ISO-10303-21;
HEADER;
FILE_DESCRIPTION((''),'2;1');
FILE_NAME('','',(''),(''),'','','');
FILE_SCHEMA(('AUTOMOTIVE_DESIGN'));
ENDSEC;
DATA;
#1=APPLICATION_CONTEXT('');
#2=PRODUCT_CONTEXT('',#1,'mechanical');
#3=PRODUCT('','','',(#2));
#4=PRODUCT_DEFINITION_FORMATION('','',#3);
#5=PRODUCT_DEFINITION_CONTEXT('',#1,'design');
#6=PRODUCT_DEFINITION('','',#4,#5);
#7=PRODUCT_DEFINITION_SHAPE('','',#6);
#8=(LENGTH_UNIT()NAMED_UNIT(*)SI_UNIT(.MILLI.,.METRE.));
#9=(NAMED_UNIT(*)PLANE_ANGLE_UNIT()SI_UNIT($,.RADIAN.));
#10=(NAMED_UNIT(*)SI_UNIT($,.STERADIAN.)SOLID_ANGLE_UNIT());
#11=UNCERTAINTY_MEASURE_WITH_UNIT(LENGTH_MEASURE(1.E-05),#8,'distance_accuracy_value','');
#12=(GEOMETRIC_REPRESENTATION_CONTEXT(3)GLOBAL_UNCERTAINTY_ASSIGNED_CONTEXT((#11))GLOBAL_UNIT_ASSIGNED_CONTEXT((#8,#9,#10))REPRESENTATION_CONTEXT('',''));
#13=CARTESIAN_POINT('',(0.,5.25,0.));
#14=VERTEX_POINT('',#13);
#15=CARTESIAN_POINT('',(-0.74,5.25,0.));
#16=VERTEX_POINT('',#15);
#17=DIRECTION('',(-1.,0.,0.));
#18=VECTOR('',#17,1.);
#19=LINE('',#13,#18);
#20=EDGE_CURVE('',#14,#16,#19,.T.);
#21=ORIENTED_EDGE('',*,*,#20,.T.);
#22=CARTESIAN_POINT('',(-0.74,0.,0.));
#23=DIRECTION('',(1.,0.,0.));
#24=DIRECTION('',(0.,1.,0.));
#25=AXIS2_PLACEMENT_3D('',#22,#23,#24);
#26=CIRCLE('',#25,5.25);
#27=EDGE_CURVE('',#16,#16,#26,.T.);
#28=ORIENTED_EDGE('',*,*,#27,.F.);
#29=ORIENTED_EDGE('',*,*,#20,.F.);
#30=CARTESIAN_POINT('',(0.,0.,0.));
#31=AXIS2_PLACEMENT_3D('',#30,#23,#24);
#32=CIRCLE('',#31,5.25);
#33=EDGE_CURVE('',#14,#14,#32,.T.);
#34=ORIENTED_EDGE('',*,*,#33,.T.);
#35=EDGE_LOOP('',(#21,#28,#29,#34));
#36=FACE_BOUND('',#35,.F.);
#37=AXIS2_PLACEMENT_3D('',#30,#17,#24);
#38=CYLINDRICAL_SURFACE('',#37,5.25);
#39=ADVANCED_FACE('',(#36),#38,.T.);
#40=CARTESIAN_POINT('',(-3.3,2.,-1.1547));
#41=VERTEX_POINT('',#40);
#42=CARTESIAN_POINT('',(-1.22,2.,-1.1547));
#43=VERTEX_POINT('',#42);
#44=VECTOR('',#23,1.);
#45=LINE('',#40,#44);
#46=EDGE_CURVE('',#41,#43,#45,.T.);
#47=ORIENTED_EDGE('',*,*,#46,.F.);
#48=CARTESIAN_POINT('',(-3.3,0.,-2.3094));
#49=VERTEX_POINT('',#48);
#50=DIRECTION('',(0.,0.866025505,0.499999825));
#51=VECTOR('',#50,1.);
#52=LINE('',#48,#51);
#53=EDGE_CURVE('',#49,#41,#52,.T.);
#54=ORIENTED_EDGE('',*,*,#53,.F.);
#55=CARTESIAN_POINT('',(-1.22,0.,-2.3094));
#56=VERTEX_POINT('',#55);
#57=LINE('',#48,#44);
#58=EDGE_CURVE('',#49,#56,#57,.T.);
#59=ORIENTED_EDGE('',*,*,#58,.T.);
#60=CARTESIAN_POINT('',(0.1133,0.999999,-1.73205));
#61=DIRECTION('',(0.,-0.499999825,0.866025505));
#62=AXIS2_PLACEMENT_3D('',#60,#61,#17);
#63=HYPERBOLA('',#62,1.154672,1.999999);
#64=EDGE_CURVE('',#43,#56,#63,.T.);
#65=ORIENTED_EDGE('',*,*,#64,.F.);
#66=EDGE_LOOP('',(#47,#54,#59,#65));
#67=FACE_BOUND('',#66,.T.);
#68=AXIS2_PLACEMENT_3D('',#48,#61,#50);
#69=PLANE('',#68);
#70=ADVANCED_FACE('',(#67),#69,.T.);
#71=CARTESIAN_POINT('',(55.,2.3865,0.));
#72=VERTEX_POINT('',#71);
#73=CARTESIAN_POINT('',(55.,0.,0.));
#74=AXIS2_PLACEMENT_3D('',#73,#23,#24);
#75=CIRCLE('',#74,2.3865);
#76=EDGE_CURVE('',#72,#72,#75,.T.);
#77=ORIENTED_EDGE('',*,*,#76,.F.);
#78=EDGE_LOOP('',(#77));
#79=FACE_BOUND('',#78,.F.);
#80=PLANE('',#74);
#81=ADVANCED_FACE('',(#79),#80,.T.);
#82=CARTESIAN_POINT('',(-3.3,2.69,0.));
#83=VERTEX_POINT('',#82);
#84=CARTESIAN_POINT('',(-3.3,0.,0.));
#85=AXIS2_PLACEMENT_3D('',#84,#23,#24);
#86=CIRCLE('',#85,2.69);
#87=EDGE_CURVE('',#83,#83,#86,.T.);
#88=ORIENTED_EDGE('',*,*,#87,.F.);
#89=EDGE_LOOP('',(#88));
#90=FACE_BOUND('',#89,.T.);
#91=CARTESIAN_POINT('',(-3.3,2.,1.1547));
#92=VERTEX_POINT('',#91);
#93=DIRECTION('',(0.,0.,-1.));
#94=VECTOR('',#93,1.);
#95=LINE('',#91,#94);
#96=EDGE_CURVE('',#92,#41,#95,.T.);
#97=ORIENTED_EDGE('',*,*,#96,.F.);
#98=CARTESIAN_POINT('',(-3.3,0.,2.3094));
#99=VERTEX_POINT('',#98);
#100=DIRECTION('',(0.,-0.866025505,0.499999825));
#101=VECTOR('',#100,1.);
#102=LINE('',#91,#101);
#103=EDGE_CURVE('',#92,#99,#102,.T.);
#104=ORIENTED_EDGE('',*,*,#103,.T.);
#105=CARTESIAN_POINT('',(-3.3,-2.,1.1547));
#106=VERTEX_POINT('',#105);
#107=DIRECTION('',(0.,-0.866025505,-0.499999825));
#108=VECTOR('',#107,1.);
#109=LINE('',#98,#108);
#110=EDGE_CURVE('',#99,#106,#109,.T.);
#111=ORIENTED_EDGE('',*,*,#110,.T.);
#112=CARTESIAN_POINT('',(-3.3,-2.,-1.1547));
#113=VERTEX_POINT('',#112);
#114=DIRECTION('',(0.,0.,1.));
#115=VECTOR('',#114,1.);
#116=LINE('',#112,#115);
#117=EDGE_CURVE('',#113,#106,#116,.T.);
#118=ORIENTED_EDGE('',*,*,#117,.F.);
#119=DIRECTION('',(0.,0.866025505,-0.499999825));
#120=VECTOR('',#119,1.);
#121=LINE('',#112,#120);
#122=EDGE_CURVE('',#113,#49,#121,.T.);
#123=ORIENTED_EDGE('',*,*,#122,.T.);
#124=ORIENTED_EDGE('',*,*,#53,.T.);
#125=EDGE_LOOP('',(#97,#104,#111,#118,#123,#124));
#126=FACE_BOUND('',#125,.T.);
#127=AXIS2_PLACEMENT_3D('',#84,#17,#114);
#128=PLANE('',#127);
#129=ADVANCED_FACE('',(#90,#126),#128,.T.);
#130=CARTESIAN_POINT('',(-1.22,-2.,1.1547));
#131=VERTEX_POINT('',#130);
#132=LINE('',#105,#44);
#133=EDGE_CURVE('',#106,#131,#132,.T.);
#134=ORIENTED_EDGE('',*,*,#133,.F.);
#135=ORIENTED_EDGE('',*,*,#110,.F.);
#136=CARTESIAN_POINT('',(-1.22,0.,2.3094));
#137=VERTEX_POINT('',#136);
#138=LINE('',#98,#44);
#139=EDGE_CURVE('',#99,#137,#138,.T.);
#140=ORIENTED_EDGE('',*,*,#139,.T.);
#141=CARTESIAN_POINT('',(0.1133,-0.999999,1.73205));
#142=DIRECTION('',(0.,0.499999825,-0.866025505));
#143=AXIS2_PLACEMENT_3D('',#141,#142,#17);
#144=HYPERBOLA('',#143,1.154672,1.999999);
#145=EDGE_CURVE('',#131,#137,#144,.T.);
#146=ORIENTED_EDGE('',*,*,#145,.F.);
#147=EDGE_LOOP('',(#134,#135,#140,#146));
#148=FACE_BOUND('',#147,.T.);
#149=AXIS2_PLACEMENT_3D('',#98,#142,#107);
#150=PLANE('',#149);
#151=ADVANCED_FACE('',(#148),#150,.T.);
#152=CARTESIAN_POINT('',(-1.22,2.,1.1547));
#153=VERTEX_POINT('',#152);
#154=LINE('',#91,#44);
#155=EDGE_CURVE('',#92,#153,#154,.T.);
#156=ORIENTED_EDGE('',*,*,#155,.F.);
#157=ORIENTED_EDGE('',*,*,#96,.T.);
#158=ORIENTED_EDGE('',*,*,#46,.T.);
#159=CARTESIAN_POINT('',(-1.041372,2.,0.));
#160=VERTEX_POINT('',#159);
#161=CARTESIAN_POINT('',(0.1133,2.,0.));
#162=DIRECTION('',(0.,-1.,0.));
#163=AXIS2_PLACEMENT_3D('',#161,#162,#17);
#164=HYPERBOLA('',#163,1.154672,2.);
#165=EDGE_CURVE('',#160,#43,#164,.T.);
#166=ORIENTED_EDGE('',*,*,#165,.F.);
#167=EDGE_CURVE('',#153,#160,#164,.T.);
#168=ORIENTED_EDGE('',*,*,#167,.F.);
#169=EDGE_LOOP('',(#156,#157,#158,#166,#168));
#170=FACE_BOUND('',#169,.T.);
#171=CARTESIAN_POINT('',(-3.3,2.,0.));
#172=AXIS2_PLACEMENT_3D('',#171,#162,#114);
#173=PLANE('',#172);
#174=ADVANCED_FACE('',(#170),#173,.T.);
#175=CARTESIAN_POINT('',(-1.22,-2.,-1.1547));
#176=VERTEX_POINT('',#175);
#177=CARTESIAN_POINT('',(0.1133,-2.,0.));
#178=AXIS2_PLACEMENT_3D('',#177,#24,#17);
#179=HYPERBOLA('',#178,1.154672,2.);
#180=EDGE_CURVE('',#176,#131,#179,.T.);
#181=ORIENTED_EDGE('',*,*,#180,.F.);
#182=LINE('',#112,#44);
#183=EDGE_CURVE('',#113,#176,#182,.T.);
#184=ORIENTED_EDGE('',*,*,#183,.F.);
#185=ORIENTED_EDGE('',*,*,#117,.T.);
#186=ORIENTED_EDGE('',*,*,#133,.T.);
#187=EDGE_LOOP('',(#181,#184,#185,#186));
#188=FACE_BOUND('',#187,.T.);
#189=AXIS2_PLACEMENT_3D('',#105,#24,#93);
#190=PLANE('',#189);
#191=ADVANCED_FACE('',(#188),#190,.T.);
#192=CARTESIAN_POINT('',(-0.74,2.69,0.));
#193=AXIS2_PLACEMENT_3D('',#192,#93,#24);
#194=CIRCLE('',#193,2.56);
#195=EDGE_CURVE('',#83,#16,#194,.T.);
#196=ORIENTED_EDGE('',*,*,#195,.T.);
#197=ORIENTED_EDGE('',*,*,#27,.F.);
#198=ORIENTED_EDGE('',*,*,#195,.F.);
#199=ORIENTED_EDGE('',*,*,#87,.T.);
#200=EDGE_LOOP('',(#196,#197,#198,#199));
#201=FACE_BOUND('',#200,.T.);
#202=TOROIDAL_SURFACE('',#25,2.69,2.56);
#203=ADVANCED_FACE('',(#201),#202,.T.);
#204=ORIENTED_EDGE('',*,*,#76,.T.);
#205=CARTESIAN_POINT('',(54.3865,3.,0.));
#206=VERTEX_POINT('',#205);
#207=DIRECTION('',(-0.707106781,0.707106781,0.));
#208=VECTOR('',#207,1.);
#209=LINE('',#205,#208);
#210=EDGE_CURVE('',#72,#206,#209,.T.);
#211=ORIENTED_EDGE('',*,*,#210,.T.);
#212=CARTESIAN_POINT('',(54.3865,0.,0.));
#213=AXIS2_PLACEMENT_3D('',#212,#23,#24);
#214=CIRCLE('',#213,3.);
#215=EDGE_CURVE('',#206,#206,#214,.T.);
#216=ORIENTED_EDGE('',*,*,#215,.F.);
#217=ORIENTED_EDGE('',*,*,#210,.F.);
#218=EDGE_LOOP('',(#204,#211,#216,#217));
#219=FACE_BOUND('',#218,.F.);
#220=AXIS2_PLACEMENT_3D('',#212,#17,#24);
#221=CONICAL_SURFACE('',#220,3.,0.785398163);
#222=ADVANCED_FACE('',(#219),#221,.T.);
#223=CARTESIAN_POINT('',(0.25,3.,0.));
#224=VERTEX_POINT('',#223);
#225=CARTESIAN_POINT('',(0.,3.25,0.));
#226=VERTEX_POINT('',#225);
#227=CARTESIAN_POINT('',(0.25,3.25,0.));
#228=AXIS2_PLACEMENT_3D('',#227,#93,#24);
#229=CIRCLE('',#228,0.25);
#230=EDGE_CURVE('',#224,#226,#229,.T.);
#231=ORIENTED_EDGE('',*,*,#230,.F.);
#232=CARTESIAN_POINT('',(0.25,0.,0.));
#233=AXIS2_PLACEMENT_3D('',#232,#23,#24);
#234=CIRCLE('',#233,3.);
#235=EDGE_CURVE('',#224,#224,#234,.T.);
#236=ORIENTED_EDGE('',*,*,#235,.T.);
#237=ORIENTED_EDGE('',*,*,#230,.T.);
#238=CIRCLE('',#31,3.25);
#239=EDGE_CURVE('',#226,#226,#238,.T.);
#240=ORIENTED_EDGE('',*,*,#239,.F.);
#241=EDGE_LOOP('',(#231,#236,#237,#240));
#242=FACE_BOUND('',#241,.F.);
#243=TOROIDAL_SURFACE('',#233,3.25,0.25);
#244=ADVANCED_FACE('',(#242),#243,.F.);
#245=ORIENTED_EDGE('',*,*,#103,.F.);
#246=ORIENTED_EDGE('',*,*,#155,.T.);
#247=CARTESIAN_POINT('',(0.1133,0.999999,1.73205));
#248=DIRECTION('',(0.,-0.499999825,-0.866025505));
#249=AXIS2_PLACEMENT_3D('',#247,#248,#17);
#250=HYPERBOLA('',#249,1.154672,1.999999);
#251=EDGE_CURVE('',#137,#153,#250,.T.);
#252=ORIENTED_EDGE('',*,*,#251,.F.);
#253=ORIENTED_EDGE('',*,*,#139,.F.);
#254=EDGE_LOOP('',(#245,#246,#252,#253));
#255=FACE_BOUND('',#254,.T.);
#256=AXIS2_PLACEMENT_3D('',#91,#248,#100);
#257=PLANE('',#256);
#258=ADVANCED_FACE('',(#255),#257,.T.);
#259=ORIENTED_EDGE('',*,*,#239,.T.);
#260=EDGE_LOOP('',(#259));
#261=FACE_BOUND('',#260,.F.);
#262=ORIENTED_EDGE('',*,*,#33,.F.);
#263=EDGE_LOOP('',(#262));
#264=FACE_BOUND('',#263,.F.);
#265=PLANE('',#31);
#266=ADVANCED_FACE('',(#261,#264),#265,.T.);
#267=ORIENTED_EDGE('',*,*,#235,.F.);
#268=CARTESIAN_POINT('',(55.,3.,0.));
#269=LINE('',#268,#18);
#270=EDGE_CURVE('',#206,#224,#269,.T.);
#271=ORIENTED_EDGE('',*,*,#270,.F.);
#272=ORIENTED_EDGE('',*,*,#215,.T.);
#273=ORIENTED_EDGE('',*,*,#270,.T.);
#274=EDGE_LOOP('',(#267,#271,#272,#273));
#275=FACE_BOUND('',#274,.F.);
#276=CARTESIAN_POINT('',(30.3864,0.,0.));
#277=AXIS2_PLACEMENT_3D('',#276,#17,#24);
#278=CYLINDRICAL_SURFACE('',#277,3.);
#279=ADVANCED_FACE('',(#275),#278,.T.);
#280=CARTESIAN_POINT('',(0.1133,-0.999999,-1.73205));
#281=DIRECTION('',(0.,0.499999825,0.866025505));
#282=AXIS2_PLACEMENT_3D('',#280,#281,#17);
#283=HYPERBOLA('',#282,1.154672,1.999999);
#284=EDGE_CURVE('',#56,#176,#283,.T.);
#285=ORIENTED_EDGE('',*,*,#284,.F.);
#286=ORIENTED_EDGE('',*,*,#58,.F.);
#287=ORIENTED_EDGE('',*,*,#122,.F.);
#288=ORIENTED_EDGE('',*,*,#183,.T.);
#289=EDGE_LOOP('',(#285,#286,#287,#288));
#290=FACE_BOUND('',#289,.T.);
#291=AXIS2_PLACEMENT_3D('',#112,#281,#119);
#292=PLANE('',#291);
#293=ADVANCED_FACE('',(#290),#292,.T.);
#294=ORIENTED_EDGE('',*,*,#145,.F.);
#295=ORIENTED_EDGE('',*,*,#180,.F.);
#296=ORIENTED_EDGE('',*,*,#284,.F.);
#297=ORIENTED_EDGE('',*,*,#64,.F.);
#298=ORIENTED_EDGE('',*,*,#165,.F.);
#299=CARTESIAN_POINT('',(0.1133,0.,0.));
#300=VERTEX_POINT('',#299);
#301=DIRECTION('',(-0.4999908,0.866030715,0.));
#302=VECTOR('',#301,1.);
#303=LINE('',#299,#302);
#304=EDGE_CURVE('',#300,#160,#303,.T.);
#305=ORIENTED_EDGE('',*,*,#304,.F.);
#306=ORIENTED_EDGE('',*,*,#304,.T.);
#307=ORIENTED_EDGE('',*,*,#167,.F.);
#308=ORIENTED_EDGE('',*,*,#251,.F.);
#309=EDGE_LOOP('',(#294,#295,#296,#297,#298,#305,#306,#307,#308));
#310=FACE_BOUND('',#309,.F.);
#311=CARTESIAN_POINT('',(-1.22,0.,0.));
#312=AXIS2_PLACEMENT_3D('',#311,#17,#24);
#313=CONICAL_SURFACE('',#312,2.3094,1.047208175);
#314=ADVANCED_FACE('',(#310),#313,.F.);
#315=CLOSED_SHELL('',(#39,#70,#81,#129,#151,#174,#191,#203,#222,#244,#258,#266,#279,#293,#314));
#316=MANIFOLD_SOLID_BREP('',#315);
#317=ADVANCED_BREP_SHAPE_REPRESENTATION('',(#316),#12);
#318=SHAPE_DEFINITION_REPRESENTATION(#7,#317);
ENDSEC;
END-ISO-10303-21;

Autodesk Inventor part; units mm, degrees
ref_plane "YZ Plane" through (0, 0, 0) normal (1, 0, 0) x (0, 1, 0)
ref_plane "XZ Plane" through (0, 0, 0) normal (0, 1, 0) x (-1, 0, 0)
sketch "Sketch1" plane through (0, 0, 0) normal (0, 0, 1) x (1, 0, 0)
  line L0 (0.1133, 0) -> (55, 0)
  line L1 (55, 0) -> (55, 3)
  line L2 (55, 3) -> (31, 3)
  line L3 (31, 3) -> (30.3864, 3)
  line L4 (30.3864, 3) -> (0, 3)
  line L5 (0, 3) -> (0, 5.25)
  line L6 (0, 5.25) -> (-3.3, 5.25)
  line L7 (-3.3, 5.25) -> (-3.3, 2.3094)
  line L8 (-3.3, 2.3094) -> (-1.22, 2.3094)
  line L9 (-1.22, 2.3094) -> (0.1133, 0)
  line L10 (-14.96, 0) -> (66.66, 0) projected
  line L11 (0, -1.05) -> (0, 6.3) projected
  line L12 (31, 3) -> (0, 3) construction
  dimension "d1" = 24
  dimension "d2" = 0.6136
  dimension "d3" = 3.3
  dimension "d4" = 2.08
  dimension "d5" = 60
  dimension "d6" = 6
  dimension "d7" = 6
  dimension "d8" = 4.6188
  dimension "d9" = 10.5
  dimension "d26" = 55
revolve "Body" add sketch "Sketch1" angle 360 about axis through (0.1133, 0, 0) along (1, 0, 0) contours L9 L11 L4 L3 L2 L1 L0 | L9 L8 L7 L6 L5 L11
sketch "Sketch2" plane through (-3.3, 0, 0) normal (-1, 0, 0) x (0, 0, 1)
  circle A0 centre (0, 0) radius 2.3094 projected
  line L0 (0, -7.35) -> (0, 7.35) projected
  line L1 (-7.35, 0) -> (7.35, 0) projected
  line L2 (2.3094, 0) -> (1.1547, -2)
  line L3 (1.1547, -2) -> (-1.1547, -2)
  line L4 (-1.1547, -2) -> (-2.3094, 0)
  line L5 (-2.3094, 0) -> (-1.1547, 2)
  line L6 (-1.1547, 2) -> (1.1547, 2)
  line L7 (1.1547, 2) -> (2.3094, 0)
extrude "Slot" add sketch "Sketch2" against normal up to next contours L7 A0 | A0 L2 | L6 L0 A0 | A0 L0 L3 | L0 L6 A0 | A0 L3 L0 | L4 A0 | A0 L5
fillet "Fillet1" radius 2.56 1 edges at (-3.3, -5.25, 0)
thread "Thread" size "M6x1" class "6g" standard "ISO Metric profile" length 24
chamfer "Chamfer1" distance 0.6135 distance2 0.6135 1 edges at (55, -3, 0) measured on face at (55, 0.1411, 0.823)
ref_plane "Work Plane1" through (29, 0, 0) normal (0, -1, 0) x (1, 0, 0)
fillet "Fillet2" radius 0.25 1 edges at (0, -3, 0)
equation "\"d1\" = GEL"
equation "\"d3\" = KOH"
equation "\"d4\" = INTI"
equation "\"d6\" = GD"
equation "\"d7\" = BDM"
equation "\"d8\" = 1.1547 * SW"
equation "\"d9\" = KOD"
equation "\"d26\" = NLG"
equation "\"d30\" = R"
equation "\"d17\" = RR"
equation "\"d13\" = GEL"
equation "\"d15\" = -0.5 * SPD + 0.5 * GD"
equation "\"d16\" = GUL"
equation "\"GD\" = NND"
equation "\"NLG\" = 55"
equation "\"GEL\" = 24"
equation "\"KOD\" = 10.5"
equation "\"KOH\" = 3.3"
equation "\"INTI\" = 2.08"
equation "\"GAL\" = 0.61345 * PTC"
equation "\"GUL\" = 0.61345 * PTC"
equation "\"BDM\" = NND"
equation "\"SW\" = 4"
equation "\"RR\" = 2.56"
equation "\"SPD\" = NND - 1.2269 * PTC"
equation "\"R\" = 0.25"
equation "\"TOA\" = 30deg"
equation "\"GD1\" = THREADDIA - 1.2269 * PTC"
equation "\"THREADDIA\" = 6"
equation "\"PTC\" = 1"
equation "\"NND\" = 6"
equation "\"KOH1\" = 0.74"
equation "\"E0\" = 4.583"
properties part number "ISO 7380-1 - M6 x 55" material "Steel"
